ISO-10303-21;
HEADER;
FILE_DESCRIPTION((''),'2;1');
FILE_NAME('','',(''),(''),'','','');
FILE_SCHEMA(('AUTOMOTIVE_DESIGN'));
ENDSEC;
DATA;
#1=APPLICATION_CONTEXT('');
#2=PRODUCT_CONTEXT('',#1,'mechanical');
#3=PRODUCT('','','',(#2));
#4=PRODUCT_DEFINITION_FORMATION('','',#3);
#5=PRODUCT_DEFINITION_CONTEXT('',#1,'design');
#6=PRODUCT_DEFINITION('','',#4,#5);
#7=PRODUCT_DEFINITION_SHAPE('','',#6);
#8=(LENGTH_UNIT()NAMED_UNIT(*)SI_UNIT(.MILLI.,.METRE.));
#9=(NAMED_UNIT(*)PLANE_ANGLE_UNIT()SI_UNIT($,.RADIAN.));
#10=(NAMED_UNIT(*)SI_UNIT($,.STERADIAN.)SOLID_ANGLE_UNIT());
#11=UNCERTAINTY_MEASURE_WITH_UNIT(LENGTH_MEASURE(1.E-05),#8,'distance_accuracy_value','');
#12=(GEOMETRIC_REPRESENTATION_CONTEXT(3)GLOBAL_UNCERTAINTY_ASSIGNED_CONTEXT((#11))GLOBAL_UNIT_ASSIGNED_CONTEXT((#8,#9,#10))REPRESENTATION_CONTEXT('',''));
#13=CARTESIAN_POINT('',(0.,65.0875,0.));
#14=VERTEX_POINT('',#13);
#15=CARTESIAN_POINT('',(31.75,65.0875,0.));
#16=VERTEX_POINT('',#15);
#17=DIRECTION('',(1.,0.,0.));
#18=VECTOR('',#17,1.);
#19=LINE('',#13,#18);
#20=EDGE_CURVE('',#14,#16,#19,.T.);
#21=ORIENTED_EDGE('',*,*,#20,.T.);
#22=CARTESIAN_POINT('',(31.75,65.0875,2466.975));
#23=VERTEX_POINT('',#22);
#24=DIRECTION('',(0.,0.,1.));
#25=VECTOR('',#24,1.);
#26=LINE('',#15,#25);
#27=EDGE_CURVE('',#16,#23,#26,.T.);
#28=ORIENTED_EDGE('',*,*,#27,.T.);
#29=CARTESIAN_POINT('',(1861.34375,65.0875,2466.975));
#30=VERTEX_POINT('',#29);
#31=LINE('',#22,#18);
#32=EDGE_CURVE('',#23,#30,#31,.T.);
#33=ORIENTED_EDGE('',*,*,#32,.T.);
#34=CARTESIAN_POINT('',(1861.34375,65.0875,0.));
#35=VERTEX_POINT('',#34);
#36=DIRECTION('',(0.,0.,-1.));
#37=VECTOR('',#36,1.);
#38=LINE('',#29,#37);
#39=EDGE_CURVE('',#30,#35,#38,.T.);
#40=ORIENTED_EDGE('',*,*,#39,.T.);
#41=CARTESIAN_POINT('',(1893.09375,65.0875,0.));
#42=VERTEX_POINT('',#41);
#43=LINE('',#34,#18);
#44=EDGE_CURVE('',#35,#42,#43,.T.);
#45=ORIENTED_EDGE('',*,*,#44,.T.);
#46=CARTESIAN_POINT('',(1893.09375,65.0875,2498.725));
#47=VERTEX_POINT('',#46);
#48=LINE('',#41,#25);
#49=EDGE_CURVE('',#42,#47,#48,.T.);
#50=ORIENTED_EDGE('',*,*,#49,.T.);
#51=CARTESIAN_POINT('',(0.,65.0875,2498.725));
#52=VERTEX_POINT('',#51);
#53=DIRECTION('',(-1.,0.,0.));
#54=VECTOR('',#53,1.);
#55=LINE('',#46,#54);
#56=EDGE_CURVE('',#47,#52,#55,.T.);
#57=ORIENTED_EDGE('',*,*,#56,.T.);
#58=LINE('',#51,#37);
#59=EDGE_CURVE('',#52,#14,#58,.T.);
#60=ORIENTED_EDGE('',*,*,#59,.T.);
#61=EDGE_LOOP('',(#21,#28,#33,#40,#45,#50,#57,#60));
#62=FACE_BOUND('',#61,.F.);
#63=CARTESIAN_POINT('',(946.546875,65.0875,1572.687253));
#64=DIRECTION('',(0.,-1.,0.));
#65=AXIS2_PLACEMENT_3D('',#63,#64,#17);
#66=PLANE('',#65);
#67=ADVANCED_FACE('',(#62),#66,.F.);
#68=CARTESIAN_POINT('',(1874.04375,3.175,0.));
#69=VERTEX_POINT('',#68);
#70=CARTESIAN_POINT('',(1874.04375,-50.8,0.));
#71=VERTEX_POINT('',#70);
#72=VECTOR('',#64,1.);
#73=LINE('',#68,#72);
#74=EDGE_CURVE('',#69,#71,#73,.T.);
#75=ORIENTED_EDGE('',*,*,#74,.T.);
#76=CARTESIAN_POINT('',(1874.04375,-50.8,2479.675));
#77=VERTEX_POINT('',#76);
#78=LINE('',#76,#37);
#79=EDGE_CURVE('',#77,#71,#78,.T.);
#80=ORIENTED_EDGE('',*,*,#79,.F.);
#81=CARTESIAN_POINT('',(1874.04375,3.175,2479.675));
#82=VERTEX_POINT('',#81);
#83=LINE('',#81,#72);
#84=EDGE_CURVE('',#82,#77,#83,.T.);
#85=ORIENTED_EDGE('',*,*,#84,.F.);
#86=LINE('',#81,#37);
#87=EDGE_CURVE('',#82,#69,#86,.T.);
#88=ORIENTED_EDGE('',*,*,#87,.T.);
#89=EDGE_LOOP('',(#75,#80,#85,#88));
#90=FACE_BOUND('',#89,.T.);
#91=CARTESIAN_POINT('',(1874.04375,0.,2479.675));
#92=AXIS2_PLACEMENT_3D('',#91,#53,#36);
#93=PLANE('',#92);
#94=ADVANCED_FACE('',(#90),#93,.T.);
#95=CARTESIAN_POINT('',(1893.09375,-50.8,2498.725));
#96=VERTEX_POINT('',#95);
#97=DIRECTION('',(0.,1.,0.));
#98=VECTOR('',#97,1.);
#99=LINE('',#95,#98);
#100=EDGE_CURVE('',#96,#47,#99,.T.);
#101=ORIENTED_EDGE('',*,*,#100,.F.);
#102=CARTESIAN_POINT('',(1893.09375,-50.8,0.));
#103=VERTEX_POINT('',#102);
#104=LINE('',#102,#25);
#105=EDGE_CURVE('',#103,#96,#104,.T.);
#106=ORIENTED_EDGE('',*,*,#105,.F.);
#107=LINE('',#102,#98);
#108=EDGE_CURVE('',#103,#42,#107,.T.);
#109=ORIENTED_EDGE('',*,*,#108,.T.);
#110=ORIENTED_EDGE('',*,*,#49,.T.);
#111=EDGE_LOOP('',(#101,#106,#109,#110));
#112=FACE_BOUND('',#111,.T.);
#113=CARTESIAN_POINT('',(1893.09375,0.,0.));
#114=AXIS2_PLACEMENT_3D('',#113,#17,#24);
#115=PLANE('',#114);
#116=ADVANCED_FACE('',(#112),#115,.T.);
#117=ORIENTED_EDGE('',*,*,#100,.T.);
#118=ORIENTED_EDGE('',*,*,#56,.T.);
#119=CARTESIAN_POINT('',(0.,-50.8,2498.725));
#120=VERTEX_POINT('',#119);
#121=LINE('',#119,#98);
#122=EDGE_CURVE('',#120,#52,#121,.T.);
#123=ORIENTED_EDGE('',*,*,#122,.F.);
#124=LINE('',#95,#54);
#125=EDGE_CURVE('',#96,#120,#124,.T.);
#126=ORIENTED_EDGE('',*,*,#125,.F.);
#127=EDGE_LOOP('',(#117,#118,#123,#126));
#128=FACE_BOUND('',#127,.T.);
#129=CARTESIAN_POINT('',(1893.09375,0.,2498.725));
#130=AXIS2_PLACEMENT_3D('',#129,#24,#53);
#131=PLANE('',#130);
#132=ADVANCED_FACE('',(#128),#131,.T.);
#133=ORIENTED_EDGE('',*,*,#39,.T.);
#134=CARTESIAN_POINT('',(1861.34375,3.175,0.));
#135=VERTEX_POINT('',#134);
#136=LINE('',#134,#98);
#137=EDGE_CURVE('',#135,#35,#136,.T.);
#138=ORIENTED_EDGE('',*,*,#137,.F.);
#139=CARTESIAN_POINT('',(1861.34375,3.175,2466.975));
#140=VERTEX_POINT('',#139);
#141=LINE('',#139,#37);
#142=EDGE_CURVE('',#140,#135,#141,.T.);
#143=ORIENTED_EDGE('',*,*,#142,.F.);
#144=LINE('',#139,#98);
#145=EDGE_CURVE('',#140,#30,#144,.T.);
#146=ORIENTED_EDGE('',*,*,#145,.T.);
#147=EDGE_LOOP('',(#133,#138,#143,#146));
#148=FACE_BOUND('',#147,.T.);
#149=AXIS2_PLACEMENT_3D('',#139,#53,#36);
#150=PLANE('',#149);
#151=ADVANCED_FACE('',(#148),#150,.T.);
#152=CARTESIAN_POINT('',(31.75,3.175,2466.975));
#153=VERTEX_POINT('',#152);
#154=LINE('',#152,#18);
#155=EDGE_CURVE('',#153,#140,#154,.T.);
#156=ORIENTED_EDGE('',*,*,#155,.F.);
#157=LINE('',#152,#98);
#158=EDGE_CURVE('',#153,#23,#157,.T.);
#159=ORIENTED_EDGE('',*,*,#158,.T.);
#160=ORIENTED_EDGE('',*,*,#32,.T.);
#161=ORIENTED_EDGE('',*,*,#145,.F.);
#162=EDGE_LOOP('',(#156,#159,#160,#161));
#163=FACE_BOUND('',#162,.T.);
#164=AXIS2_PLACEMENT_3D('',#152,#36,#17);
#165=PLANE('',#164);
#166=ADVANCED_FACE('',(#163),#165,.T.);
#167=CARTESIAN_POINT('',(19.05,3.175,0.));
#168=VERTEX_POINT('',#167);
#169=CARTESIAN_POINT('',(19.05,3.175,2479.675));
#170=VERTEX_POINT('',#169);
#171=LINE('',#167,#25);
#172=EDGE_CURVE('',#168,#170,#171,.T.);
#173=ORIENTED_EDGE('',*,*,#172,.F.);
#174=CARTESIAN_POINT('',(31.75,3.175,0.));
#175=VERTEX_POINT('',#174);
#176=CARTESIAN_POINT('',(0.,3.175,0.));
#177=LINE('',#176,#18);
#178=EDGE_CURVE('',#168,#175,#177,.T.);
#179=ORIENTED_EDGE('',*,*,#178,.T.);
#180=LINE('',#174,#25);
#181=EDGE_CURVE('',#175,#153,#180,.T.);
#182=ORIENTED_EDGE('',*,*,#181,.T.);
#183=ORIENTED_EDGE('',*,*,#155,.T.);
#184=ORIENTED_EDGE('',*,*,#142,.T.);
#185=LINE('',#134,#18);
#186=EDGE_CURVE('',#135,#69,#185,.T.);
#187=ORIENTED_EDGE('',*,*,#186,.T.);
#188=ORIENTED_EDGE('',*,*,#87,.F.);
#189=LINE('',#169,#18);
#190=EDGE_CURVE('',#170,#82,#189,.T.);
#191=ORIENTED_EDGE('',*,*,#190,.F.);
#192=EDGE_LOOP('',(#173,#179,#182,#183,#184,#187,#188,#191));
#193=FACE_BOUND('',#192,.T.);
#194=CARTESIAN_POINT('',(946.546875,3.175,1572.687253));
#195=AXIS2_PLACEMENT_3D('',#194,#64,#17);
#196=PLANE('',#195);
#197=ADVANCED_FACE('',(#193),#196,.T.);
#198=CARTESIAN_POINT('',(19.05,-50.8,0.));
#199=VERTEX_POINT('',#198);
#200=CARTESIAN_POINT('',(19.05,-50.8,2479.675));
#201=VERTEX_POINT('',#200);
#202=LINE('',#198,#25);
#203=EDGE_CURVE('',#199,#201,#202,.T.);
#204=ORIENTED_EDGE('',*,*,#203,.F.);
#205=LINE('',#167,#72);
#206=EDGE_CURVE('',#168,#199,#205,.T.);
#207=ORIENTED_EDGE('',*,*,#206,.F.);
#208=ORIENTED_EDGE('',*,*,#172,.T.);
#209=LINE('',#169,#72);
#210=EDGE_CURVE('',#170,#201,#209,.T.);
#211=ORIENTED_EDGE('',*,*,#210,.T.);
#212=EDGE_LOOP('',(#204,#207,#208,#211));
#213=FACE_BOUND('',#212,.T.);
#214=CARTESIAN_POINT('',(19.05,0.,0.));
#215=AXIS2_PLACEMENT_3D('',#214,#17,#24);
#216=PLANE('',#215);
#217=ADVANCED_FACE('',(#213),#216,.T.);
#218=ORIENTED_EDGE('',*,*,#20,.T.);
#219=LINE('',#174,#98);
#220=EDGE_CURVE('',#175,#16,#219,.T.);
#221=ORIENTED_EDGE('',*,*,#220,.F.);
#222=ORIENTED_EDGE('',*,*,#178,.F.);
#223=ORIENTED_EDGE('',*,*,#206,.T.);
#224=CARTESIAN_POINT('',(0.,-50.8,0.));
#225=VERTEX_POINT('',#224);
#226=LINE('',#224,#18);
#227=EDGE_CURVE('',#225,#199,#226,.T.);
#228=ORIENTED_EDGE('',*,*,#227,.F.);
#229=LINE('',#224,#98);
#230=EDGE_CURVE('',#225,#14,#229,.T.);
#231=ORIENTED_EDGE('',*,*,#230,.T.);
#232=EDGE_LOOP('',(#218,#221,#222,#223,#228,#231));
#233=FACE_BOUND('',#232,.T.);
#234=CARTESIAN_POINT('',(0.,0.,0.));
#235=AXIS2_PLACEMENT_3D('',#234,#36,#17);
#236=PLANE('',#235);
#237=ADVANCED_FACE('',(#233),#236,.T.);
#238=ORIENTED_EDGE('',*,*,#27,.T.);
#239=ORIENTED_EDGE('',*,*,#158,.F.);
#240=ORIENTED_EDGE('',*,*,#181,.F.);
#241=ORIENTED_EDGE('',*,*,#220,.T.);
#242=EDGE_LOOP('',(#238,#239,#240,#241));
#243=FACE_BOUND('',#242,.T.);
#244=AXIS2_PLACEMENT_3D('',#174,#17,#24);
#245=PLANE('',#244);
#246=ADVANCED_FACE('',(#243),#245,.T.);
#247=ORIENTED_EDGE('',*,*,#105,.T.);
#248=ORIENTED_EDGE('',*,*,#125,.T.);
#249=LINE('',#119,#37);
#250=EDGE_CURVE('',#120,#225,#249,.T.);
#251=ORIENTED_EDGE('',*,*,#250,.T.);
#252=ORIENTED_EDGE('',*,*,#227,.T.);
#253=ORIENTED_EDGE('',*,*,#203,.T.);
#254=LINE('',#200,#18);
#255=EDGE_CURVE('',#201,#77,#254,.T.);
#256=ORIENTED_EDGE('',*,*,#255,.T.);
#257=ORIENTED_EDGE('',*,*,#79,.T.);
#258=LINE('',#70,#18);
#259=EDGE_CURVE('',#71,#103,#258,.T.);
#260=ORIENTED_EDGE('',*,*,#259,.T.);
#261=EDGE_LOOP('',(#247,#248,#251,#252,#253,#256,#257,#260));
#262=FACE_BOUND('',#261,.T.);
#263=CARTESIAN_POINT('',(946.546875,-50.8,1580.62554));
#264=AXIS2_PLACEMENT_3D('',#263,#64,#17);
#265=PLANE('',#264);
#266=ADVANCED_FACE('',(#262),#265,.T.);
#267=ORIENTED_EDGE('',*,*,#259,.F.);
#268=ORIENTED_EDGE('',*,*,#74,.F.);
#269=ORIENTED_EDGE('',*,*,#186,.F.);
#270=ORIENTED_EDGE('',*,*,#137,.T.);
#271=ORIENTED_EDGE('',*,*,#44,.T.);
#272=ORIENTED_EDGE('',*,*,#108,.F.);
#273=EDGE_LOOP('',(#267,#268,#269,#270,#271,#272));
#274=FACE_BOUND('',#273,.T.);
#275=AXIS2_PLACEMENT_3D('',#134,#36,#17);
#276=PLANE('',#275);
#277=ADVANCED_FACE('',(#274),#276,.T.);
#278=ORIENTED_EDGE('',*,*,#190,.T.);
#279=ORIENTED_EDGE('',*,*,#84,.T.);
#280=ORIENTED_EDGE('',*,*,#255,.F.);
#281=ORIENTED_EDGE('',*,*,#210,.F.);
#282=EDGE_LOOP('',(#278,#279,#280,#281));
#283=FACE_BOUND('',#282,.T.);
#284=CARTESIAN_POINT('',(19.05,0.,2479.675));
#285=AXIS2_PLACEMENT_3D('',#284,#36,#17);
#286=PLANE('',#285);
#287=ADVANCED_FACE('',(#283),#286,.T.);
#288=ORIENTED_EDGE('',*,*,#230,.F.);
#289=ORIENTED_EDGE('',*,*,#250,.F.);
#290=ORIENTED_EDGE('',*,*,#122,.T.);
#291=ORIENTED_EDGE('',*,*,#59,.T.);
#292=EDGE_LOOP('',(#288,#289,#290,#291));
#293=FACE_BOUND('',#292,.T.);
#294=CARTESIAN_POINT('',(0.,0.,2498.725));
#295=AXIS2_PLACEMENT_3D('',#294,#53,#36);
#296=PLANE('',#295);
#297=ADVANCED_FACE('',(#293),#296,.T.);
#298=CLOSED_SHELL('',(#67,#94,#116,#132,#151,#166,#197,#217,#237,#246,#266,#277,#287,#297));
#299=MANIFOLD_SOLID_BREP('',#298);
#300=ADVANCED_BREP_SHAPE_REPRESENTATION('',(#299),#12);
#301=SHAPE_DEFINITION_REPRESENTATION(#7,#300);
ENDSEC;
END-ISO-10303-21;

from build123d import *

# Parameters (mm, degrees)
F3_DEPTH      = 61.9125
F5_DEPTH      = 50.8
F5_DEPTH_BACK = 3.175


with BuildPart() as f3:
    # F2 (on offset) → F3 (new body)
    with BuildSketch(Plane.XZ.offset(-3.175)):
        Polygon((0, 2479.675), (0, 0), (19.05, 0), (31.75, 0), (31.75, 2466.975), (1861.34375, 2466.975), (1861.34375, 0), (1874.04375, 0), (1893.09375, 0), (1893.09375, 2479.675), (1893.09375, 2498.725), (0, 2498.725), align=None)
    extrude(amount=-F3_DEPTH)

    # F4 (on Front) → F5 (join, two sides)
    with BuildSketch(Plane.XZ) as f5_sk:
        Polygon((0, 2479.675), (0, 0), (19.05, 0), (19.05, 2466.975), (19.05, 2479.675), (593.725, 2479.675), (1299.36875, 2479.675), (1874.04375, 2479.675), (1874.04375, 2466.975), (1874.04375, 0), (1893.09375, 0), (1893.09375, 2479.675), (1893.09375, 2498.725), (0, 2498.725), align=None)
    extrude(amount=F5_DEPTH)
    extrude(f5_sk.sketch, amount=-F5_DEPTH_BACK)


solid = f3.part
